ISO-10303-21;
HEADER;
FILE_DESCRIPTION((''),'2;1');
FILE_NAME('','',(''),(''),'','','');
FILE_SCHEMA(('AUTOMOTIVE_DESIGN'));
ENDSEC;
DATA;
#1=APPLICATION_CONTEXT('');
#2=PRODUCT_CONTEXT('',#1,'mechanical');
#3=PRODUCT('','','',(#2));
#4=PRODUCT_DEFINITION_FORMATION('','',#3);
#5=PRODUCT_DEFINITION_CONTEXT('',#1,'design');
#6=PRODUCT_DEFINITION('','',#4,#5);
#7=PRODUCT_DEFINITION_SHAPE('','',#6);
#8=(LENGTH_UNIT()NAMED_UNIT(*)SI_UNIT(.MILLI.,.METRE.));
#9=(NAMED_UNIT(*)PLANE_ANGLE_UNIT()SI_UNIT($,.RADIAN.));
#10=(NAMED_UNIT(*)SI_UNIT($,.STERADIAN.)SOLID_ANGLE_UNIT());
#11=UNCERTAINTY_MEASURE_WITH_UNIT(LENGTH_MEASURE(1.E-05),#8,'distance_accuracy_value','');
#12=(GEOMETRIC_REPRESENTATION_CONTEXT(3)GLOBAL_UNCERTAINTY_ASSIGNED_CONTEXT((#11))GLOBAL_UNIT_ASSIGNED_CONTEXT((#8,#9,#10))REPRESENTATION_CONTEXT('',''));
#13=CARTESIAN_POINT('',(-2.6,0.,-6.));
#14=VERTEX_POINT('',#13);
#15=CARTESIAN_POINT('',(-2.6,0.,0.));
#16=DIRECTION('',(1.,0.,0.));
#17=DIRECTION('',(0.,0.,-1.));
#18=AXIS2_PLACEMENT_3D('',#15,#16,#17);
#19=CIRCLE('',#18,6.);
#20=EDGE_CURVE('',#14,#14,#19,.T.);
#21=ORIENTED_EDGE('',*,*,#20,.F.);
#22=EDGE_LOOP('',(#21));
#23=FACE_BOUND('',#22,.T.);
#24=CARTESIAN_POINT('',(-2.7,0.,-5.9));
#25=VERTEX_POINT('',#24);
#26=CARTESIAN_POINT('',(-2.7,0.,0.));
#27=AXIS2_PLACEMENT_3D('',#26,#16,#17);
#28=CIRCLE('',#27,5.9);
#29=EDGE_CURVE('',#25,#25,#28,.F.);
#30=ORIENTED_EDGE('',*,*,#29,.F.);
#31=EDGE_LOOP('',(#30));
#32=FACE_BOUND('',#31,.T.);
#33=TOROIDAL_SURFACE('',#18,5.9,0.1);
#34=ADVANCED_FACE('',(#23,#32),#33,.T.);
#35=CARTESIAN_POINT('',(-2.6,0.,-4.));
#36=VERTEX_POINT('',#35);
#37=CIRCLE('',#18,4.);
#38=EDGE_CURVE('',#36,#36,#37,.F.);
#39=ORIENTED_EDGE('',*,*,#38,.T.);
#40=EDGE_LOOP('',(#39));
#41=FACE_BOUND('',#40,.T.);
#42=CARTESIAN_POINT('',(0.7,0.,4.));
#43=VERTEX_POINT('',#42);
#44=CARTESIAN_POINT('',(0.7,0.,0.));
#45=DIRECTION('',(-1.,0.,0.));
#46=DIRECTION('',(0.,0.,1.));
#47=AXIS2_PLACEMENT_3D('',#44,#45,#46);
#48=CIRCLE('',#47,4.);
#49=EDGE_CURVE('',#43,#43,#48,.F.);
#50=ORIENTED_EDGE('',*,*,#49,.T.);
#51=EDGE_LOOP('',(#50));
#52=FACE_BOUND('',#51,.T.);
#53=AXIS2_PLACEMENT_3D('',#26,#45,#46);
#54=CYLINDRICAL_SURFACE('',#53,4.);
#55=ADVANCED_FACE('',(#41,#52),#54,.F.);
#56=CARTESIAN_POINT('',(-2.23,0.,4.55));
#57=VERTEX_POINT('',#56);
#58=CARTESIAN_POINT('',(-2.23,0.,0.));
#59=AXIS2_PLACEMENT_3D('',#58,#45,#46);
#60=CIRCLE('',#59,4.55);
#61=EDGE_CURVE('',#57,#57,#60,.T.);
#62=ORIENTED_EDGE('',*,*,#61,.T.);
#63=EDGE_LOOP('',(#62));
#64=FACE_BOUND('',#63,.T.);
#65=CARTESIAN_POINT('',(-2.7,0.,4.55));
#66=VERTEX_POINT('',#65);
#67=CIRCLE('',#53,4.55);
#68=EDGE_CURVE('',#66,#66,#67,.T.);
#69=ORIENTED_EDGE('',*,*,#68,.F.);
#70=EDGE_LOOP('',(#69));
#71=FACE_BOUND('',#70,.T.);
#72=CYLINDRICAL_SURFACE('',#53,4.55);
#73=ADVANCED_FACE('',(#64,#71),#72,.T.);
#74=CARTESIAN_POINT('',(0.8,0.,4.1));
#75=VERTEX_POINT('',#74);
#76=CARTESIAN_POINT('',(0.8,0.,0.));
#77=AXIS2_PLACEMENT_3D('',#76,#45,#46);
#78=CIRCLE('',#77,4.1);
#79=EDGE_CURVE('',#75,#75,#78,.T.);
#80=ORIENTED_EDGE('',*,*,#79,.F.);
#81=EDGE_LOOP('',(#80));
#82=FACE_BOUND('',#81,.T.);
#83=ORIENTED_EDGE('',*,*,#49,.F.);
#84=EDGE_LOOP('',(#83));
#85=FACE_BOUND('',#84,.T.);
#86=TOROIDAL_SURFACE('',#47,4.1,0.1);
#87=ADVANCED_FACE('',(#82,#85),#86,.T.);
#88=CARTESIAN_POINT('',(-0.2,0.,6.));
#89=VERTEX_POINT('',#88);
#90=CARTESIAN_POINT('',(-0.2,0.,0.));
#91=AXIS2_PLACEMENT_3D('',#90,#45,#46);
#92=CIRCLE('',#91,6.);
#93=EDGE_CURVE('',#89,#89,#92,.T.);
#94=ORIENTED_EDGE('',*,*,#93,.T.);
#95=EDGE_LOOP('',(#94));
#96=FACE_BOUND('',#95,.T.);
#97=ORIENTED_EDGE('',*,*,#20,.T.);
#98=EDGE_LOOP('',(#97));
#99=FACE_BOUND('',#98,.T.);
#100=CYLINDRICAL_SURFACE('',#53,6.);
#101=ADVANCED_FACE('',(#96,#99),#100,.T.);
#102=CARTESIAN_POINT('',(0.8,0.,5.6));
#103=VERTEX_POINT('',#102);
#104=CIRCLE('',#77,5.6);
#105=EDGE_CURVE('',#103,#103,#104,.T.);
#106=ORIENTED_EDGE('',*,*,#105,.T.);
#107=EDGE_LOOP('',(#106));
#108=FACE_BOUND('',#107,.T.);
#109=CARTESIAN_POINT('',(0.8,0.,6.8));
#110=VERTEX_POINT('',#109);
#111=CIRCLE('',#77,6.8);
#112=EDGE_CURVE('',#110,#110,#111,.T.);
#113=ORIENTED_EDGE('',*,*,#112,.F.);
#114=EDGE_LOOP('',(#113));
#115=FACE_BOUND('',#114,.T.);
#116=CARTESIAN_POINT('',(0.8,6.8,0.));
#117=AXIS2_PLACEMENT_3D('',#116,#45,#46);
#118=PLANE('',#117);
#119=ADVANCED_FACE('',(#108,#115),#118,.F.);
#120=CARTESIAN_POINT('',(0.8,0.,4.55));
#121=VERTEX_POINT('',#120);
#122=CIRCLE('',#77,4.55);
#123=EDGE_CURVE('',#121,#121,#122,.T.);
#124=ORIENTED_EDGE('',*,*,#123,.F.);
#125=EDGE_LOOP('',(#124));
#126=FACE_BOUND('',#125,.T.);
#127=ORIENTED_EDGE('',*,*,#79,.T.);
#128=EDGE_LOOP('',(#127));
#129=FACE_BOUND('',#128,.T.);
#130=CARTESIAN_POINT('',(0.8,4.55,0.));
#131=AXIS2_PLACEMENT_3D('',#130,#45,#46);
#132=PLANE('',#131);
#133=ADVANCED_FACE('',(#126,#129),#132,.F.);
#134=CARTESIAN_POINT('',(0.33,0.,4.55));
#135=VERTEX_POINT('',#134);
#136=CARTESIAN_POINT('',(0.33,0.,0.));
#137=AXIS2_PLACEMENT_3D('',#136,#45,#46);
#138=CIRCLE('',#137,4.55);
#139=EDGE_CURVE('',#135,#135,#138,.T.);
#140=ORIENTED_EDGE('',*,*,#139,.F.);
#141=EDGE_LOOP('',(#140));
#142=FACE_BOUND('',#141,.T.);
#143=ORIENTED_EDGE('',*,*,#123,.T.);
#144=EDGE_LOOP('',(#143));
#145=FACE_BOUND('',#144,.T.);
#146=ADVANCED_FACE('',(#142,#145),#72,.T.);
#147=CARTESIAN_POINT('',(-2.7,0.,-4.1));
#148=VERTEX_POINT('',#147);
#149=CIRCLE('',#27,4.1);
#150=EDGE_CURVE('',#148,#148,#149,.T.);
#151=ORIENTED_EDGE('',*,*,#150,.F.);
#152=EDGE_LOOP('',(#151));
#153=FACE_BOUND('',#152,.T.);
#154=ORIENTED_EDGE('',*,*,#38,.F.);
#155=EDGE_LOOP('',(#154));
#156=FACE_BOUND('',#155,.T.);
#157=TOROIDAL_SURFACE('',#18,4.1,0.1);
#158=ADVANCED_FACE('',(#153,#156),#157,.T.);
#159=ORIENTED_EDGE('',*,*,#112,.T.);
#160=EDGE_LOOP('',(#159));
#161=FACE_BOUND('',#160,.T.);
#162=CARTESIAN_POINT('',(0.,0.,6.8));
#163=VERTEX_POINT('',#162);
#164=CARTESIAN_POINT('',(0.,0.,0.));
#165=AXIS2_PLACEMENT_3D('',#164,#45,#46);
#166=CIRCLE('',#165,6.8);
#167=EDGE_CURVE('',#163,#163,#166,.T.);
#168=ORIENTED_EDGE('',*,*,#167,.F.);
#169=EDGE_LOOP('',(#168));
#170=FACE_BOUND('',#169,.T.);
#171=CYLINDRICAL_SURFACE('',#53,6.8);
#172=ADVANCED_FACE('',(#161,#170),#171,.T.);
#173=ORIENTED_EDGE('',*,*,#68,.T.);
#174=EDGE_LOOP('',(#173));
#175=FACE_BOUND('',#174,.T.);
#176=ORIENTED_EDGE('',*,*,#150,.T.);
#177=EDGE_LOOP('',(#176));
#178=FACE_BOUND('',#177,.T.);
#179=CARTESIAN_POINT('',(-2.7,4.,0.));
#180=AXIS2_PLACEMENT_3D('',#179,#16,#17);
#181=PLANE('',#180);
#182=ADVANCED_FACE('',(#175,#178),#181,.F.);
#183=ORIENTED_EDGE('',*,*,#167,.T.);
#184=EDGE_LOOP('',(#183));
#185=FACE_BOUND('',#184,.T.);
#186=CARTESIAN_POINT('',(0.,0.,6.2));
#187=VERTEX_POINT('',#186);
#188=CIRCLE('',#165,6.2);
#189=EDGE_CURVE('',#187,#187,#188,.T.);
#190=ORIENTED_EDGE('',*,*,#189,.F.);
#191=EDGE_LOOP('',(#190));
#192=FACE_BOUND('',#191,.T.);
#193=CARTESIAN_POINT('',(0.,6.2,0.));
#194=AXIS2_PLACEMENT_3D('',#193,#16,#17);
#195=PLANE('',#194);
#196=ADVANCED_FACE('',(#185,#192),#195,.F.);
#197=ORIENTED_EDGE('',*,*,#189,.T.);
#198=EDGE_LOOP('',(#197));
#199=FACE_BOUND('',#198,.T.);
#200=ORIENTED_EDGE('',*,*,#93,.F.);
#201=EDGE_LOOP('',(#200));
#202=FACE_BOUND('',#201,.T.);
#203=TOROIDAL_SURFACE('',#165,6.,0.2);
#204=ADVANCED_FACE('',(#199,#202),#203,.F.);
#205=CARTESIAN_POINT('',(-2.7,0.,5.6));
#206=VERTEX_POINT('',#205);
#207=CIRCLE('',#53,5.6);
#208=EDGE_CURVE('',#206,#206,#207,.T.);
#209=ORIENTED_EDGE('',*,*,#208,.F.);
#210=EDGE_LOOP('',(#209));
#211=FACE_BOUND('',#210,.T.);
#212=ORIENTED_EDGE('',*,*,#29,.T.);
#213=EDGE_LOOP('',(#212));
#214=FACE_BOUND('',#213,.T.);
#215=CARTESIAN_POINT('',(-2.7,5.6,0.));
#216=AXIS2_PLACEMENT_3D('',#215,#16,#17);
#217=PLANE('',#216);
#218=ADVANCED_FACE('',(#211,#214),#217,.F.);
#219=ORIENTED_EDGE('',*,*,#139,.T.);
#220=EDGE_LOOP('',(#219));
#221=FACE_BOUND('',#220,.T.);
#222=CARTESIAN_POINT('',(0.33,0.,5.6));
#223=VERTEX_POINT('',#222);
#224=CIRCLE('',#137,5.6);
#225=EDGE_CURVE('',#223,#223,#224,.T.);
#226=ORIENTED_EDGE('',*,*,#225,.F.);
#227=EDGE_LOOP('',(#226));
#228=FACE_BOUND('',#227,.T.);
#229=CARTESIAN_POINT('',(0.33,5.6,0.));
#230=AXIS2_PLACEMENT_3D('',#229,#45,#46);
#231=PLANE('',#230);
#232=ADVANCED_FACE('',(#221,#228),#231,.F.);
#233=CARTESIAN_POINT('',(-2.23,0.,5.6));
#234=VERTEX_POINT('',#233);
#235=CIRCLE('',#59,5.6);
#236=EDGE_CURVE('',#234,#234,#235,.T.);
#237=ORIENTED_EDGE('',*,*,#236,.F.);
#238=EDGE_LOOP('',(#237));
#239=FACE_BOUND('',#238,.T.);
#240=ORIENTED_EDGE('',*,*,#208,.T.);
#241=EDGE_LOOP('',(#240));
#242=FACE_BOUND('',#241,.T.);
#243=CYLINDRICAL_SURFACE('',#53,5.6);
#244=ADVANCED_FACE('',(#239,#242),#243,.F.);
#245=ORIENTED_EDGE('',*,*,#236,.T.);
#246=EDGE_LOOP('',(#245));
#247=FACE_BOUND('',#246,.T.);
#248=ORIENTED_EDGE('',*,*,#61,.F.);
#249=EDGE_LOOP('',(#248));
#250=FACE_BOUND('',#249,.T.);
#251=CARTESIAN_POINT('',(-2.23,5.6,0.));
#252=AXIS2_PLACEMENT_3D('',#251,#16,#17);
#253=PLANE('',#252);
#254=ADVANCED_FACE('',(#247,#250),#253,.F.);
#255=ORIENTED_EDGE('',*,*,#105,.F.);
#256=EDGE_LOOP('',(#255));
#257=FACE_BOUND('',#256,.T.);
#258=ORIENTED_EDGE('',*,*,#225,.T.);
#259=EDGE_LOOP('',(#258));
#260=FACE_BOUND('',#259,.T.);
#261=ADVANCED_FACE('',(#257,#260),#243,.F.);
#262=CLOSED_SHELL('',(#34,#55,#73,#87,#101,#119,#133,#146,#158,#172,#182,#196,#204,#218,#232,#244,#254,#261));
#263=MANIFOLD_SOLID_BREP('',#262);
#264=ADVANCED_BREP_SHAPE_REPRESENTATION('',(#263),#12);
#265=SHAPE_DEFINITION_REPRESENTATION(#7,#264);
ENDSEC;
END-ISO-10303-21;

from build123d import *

# Parameters (mm, degrees)
FILLET1_R = 0.1


with BuildPart() as part:
    # Sketch1 → Revolve1 (revolve)
    with BuildSketch(Plane.XY, mode=Mode.PRIVATE) as revolve1_sk:
        with BuildLine():
            Line((0, 6.2), (0, 6.8))
            Line((0, 6.8), (0.8, 6.8))
            Line((0.8, 6.8), (0.8, 5.6))
            Line((0.8, 5.6), (0.33, 5.6))
            Line((0.33, 5.6), (0.33, 4.55))
            Line((0.33, 4.55), (0.8, 4.55))
            Line((0.8, 4.55), (0.8, 4))
            Line((0.8, 4), (-2.7, 4))
            Line((-2.7, 4), (-2.7, 4.55))
            Line((-2.7, 4.55), (-2.23, 4.55))
            Line((-2.23, 4.55), (-2.23, 5.6))
            Line((-2.23, 5.6), (-2.7, 5.6))
            Line((-2.7, 5.6), (-2.7, 6))
            Line((-2.7, 6), (-0.2, 6))
            ThreePointArc((-0.2, 6), (0.141421356, 5.858578644), (0, 6.2))
        make_face()
    revolve(revolve1_sk.sketch.rotate(Axis((-2.7, 0, 0), (1, 0, 0)), 90), axis=Axis((-2.7, 0, 0), (1, 0, 0)))

    # Fillet1
    fillet1_edges = [part.edges().sort_by_distance(p)[0] for p in [
        (0.8, 0, -4),
        (-2.7, 0, -4),
        (-2.7, 0, -6),
    ]]
    fillet(fillet1_edges, radius=FILLET1_R)


solid = part.part
